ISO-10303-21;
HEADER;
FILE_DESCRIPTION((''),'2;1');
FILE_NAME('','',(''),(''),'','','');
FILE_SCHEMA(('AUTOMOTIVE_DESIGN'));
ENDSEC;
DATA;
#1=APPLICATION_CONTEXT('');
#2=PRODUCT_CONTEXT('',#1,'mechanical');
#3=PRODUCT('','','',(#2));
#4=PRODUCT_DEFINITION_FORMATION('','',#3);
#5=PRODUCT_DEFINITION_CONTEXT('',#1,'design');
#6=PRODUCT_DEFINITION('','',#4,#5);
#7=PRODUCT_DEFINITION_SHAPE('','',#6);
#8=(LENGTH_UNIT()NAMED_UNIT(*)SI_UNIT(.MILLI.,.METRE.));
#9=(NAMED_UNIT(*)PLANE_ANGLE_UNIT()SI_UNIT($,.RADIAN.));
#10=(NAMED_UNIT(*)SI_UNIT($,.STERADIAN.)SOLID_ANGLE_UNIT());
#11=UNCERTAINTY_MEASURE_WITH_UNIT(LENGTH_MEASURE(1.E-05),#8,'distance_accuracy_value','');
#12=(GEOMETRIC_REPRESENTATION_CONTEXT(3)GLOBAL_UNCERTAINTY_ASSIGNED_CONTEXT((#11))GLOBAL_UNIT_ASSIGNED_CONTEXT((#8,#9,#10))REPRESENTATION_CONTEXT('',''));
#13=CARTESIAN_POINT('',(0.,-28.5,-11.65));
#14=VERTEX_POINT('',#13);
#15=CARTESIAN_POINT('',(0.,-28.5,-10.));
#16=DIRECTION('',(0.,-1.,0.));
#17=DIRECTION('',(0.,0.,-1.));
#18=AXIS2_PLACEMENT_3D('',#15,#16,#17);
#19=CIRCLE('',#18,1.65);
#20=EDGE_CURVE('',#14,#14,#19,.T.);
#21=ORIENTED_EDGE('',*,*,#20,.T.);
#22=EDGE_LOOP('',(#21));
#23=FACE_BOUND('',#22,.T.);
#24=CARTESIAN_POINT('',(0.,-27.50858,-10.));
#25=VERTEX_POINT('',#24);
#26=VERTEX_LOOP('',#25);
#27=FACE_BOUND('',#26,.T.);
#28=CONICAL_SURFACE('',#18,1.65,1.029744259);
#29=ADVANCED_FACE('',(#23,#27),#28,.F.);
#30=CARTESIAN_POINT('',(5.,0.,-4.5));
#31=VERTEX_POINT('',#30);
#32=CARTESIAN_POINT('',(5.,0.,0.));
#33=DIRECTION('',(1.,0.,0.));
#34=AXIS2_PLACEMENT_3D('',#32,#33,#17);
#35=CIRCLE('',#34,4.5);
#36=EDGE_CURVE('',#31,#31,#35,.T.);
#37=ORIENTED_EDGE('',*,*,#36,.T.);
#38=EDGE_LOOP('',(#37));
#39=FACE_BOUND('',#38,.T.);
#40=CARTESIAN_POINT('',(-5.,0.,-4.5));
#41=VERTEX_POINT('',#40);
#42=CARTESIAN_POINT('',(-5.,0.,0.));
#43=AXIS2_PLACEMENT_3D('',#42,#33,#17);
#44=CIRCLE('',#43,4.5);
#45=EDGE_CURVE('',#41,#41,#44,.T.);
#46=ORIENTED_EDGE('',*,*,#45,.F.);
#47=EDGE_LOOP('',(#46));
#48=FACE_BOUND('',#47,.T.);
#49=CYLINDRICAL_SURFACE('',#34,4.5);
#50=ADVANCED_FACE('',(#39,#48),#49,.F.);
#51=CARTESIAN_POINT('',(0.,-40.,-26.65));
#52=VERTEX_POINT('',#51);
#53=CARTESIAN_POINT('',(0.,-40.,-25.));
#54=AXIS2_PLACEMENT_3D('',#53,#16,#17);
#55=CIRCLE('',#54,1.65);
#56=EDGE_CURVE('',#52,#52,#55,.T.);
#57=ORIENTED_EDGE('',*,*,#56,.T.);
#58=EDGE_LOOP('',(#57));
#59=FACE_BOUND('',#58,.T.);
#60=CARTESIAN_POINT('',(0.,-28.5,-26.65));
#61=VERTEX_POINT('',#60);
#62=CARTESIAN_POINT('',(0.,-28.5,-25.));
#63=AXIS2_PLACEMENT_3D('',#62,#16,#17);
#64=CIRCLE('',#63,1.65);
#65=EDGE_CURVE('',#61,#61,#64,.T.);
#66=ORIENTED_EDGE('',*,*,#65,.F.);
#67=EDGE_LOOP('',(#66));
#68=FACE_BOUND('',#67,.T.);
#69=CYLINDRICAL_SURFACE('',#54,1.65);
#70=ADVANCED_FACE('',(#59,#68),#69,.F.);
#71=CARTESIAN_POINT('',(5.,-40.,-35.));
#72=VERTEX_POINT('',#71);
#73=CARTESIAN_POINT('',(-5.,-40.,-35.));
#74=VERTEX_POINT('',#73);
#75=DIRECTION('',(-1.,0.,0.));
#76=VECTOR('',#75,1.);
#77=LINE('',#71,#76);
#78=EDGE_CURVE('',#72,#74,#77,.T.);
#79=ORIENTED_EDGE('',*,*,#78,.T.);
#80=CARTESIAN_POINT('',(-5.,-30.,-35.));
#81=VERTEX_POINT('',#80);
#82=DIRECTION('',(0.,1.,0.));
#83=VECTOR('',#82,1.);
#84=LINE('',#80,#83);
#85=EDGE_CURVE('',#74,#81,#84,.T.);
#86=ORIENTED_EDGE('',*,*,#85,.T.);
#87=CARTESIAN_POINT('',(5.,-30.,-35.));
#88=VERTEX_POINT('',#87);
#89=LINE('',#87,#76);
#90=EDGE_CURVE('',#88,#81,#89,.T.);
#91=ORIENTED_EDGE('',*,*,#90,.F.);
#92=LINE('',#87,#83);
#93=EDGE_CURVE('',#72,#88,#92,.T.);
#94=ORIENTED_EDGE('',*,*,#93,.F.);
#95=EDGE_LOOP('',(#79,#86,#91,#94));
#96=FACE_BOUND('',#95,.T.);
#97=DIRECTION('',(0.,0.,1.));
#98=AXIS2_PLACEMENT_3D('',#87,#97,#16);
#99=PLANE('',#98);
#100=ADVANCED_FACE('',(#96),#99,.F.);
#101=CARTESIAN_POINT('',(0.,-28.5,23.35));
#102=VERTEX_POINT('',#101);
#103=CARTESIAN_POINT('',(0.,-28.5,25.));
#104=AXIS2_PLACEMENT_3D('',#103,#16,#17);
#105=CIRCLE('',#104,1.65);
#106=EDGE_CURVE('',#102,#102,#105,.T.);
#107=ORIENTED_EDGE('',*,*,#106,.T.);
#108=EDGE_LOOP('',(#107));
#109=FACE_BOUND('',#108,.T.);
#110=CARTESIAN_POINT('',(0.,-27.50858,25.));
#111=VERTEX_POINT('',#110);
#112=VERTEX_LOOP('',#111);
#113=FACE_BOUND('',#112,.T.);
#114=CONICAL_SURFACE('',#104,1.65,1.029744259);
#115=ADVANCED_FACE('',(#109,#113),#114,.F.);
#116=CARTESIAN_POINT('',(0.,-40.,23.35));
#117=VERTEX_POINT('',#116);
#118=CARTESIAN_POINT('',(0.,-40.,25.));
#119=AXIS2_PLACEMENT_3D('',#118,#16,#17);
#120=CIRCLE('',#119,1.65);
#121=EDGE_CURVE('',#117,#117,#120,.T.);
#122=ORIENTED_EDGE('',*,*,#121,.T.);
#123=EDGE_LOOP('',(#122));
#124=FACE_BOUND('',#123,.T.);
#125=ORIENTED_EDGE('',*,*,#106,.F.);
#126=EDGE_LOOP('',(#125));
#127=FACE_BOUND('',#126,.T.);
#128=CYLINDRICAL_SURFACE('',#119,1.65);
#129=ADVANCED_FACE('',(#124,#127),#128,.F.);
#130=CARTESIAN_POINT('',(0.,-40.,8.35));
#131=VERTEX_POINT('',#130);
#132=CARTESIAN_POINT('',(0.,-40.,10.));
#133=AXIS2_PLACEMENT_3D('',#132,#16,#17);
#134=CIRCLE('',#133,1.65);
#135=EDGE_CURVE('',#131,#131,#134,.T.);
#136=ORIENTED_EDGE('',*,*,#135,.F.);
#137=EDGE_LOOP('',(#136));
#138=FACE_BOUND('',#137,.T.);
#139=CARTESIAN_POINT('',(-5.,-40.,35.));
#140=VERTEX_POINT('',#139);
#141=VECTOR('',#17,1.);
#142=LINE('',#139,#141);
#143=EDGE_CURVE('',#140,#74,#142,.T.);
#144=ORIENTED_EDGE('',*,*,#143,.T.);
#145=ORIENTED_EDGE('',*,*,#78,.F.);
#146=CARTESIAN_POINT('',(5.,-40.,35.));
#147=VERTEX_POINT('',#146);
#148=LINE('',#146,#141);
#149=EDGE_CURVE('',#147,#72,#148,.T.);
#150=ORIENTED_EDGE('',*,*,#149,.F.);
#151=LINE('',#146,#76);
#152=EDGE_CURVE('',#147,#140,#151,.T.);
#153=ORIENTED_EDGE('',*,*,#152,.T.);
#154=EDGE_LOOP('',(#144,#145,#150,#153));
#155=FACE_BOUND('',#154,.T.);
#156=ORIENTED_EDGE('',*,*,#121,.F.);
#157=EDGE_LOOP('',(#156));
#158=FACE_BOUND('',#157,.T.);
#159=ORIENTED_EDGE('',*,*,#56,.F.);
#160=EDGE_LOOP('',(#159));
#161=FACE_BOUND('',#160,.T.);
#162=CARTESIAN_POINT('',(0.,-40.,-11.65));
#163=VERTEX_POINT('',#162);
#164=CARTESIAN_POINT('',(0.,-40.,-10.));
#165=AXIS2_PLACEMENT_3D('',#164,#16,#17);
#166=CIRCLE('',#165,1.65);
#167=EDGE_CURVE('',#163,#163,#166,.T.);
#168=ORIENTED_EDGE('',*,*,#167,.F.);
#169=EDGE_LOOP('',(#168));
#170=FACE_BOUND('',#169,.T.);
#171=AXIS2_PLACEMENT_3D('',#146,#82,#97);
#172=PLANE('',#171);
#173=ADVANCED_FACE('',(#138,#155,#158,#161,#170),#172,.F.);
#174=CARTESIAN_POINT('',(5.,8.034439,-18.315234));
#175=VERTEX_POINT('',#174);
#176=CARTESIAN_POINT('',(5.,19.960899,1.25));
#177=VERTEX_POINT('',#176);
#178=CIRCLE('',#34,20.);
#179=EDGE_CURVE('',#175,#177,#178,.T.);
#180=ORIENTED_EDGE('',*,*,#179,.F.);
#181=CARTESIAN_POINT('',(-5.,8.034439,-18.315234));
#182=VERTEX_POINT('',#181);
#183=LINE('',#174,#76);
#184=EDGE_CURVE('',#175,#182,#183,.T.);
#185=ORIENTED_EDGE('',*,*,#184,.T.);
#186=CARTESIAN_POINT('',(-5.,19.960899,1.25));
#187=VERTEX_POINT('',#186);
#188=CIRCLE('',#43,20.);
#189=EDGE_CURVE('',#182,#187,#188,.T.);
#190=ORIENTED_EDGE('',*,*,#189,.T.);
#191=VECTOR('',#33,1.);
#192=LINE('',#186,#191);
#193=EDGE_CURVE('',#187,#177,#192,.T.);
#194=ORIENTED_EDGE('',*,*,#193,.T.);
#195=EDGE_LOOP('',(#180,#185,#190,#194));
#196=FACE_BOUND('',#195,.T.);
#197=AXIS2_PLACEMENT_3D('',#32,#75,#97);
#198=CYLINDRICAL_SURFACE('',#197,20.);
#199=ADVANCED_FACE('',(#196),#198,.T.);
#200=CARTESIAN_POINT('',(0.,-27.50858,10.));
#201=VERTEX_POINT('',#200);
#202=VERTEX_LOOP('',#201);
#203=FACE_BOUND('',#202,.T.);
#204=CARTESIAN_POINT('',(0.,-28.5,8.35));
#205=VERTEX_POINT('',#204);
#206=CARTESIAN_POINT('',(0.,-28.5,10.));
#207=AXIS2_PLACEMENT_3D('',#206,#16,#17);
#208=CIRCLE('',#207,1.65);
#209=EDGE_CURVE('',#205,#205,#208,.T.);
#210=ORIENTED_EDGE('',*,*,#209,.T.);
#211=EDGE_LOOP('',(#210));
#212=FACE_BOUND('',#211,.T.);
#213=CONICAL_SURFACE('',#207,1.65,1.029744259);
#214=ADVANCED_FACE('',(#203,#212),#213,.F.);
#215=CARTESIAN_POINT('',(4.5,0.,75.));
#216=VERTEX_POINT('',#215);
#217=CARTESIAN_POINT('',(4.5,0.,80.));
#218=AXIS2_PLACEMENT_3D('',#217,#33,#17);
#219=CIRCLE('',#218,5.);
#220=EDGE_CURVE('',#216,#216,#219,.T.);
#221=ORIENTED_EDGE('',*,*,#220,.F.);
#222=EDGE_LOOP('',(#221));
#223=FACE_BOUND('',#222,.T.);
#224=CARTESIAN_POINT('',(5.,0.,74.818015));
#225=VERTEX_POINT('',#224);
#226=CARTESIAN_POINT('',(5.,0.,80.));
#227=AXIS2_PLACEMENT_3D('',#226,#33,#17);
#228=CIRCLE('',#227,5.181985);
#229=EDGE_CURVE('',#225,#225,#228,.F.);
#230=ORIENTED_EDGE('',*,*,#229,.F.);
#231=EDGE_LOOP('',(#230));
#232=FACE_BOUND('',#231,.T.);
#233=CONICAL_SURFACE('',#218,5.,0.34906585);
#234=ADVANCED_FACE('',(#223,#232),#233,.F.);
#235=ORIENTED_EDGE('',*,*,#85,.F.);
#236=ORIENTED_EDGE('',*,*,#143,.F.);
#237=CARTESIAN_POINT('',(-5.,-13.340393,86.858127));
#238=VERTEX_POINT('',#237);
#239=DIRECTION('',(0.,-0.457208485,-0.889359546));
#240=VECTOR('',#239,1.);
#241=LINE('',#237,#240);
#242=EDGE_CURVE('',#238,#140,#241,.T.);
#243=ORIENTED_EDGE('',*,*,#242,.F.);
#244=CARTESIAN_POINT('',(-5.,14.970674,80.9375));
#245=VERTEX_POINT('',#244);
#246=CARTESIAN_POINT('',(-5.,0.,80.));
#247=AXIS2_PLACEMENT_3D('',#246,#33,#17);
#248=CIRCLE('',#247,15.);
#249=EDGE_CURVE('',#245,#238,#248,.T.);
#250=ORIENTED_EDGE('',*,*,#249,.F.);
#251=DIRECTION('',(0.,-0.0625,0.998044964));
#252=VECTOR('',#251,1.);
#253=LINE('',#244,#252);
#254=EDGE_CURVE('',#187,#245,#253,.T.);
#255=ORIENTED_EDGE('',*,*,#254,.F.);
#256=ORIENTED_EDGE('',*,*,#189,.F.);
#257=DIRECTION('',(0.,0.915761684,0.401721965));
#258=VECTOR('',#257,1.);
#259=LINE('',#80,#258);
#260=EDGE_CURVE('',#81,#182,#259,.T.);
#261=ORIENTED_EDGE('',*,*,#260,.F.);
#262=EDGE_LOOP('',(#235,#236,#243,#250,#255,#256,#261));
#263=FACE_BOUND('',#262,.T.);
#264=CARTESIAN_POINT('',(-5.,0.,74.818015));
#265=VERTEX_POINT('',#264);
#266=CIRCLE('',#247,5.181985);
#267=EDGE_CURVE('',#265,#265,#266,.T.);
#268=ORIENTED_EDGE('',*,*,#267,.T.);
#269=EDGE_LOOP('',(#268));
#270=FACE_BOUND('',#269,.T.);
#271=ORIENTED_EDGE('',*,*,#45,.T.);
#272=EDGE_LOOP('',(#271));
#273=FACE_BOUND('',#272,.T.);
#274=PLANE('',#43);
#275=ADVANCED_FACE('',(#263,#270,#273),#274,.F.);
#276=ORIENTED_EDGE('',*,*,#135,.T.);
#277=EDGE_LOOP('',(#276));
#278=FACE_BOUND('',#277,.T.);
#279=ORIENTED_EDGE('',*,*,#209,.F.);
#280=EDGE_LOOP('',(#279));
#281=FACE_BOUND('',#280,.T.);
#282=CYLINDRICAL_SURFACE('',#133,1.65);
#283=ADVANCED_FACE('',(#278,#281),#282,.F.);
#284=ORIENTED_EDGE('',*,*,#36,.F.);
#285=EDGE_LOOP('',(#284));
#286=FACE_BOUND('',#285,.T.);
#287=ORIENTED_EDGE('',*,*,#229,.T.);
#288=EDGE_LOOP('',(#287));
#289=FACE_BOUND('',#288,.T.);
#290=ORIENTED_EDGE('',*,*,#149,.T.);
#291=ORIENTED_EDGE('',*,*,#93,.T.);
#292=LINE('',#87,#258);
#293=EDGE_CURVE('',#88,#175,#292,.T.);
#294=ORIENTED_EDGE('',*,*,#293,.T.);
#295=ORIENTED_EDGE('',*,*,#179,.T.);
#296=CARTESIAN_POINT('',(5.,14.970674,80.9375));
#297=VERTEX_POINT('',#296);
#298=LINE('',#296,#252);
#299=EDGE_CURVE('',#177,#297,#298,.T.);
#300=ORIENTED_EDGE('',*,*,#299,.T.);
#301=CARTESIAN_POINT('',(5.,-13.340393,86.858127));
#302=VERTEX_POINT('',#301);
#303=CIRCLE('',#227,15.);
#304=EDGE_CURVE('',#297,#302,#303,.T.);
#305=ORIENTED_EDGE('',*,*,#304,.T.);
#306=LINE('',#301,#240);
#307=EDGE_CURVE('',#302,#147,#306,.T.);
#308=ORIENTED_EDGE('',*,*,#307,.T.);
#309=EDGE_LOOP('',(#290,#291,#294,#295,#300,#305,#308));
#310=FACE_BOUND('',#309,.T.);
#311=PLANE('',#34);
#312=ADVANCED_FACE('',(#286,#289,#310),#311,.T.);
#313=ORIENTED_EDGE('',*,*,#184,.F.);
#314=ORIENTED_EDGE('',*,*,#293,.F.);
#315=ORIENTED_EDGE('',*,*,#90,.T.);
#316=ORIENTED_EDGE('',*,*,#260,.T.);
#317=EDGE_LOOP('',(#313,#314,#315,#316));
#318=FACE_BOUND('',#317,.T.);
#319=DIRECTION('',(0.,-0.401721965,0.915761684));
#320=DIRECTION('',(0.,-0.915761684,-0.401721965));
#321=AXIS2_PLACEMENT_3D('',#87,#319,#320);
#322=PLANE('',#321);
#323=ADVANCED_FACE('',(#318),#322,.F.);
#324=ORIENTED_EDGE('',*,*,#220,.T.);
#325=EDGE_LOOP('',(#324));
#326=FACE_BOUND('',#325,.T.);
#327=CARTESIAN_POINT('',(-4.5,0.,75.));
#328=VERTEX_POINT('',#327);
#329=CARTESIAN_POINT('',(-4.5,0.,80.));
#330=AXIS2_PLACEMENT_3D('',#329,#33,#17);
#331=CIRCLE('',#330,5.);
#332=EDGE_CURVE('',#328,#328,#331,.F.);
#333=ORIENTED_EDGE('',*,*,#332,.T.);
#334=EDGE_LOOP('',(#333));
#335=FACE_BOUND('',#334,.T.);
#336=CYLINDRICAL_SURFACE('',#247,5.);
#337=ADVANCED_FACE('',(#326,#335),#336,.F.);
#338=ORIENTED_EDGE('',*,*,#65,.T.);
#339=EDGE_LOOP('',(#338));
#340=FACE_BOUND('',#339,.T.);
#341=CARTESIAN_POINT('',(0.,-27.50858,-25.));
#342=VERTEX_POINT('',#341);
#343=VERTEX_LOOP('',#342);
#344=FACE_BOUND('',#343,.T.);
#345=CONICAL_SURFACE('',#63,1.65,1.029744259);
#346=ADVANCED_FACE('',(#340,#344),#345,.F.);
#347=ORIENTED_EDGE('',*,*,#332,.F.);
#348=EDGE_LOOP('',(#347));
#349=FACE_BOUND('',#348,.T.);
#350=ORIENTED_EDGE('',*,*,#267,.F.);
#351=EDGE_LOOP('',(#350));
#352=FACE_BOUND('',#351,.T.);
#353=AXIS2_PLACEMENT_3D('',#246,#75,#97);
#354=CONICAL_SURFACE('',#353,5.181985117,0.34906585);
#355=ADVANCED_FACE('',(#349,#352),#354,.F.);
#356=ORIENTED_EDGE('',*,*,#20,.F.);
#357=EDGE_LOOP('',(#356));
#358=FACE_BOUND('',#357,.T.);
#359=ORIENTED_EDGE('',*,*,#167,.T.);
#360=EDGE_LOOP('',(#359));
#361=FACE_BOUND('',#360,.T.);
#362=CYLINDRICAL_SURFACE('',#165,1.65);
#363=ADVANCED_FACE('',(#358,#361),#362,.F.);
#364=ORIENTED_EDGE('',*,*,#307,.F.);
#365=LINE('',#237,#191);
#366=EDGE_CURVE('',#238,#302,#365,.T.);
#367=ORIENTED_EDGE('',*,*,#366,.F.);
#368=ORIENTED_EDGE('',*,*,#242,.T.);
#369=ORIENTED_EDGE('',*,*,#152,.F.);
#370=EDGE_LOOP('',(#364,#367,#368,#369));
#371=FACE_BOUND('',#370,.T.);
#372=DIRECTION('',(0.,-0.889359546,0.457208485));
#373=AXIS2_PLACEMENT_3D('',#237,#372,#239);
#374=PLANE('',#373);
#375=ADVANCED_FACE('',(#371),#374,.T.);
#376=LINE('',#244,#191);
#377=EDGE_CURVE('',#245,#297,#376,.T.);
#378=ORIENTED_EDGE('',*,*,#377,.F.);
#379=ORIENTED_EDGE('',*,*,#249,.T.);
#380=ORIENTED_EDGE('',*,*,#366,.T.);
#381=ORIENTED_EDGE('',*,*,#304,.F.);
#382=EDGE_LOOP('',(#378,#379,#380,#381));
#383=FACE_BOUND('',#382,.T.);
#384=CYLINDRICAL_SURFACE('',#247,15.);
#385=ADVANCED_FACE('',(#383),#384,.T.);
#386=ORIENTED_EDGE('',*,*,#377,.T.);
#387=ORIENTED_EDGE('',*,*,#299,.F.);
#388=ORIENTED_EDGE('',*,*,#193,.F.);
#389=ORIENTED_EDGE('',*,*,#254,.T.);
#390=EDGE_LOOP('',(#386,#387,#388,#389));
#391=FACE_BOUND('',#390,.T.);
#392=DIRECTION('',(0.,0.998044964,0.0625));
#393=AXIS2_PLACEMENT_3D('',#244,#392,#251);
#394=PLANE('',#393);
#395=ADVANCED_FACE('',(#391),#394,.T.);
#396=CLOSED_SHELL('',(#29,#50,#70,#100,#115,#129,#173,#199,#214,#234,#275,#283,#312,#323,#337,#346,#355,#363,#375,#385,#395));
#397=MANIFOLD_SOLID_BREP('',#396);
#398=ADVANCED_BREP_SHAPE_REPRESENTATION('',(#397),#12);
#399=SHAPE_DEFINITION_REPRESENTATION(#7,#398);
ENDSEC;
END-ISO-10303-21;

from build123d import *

# Parameters (mm, degrees)
BOSS_EXTRUDE1_DEPTH      = 5
F_9_0_9_DIAMETER_HOLE1_D = 9
M4_TAPPED_HOLE1_D        = 3.3
M4_TAPPED_HOLE1_DEPTH    = 11.5
M4_TAPPED_HOLE1_TIP      = 0.991420021
BOSS_EXTRUDE2_DEPTH      = 10
SKETCH8_R                = 5
CUT_EXTRUDE1_DEPTH       = 10
CHAMFER1_SIZE            = 0.5
CHAMFER1_SIZE2           = 0.181985117


with BuildPart() as part:
    # Sketch1 → Boss-Extrude1 (new, symmetric)
    with BuildSketch(Plane(origin=(0, 0, 0), x_dir=(0, 0, -1), z_dir=(1, 0, 0))):
        with BuildLine():
            Line((-18.315233689, 8.034439304), (-35, -30))
            Line((-35, -30), (-35, -40))
            Line((-35, -40), (35, -40))
            Line((35, -40), (35, -30))
            Line((35, -30), (18.315233689, 8.034439304))
            ThreePointArc((18.315233689, 8.034439304), (0, 20), (-18.315233689, 8.034439304))
        make_face()
    extrude(amount=BOSS_EXTRUDE1_DEPTH, both=True)

    # Ø9.0 (9) Diameter Hole1 (through all)
    with Locations(Plane(origin=(5, 0, 0), x_dir=(0, 0, -1), z_dir=(1, 0, 0))):
        with Locations((0, 0)):
            Hole(F_9_0_9_DIAMETER_HOLE1_D / 2)

    # M4 Tapped Hole1
    with Locations(Plane(origin=(0, -40, 0), x_dir=(-1, 0, 0), z_dir=(0, -1, 0))):
        with Locations((0, -25), (0, -10), (0, 10), (0, 25)):
            Hole(M4_TAPPED_HOLE1_D / 2, depth=M4_TAPPED_HOLE1_DEPTH)
            with Locations((0, 0, -(M4_TAPPED_HOLE1_DEPTH + M4_TAPPED_HOLE1_TIP / 2))):  # 118° drill point
                Cone(0, M4_TAPPED_HOLE1_D / 2, M4_TAPPED_HOLE1_TIP, mode=Mode.SUBTRACT)

    # Sketch7 → Boss-Extrude2 (add)
    with BuildSketch(Plane(origin=(5, 0, 0), x_dir=(0, 0, -1), z_dir=(1, 0, 0))):
        with BuildLine():
            Line((-80.9375, 14.970674459), (-1.25, 19.960899278))
            ThreePointArc((-1.25, 19.960899278), (-11.456862756, 16.393300333), (-18.315233689, 8.034439304))
            Line((-18.315233689, 8.034439304), (-35, -30))
            Line((-35, -30), (-35, -40))
            Line((-35, -40), (-86.858127274, -13.340393184))
            ThreePointArc((-86.858127274, -13.340393184), (-94.682373409, 3.070490366), (-80.9375, 14.970674459))
        make_face()
    extrude(amount=-BOSS_EXTRUDE2_DEPTH)

    # Sketch8 → Cut-Extrude1 (cut)
    with BuildSketch(Plane(origin=(5, 0, 0), x_dir=(0, 0, -1), z_dir=(1, 0, 0))):
        with Locations((-80, 0)):
            Circle(SKETCH8_R)
    extrude(amount=-CUT_EXTRUDE1_DEPTH, mode=Mode.SUBTRACT)

    # Chamfer1
    chamfer1_edges = [part.edges().sort_by_distance(p)[0] for p in [
        (-5, 0, 85),
        (5, 0, 85),
    ]]
    chamfer1_side = [part.faces().sort_by_distance(p)[0] for p in [
        (0, 0, 85),
    ]]
    chamfer(chamfer1_edges, length=CHAMFER1_SIZE, length2=CHAMFER1_SIZE2, reference=chamfer1_side[0])


solid = part.part
